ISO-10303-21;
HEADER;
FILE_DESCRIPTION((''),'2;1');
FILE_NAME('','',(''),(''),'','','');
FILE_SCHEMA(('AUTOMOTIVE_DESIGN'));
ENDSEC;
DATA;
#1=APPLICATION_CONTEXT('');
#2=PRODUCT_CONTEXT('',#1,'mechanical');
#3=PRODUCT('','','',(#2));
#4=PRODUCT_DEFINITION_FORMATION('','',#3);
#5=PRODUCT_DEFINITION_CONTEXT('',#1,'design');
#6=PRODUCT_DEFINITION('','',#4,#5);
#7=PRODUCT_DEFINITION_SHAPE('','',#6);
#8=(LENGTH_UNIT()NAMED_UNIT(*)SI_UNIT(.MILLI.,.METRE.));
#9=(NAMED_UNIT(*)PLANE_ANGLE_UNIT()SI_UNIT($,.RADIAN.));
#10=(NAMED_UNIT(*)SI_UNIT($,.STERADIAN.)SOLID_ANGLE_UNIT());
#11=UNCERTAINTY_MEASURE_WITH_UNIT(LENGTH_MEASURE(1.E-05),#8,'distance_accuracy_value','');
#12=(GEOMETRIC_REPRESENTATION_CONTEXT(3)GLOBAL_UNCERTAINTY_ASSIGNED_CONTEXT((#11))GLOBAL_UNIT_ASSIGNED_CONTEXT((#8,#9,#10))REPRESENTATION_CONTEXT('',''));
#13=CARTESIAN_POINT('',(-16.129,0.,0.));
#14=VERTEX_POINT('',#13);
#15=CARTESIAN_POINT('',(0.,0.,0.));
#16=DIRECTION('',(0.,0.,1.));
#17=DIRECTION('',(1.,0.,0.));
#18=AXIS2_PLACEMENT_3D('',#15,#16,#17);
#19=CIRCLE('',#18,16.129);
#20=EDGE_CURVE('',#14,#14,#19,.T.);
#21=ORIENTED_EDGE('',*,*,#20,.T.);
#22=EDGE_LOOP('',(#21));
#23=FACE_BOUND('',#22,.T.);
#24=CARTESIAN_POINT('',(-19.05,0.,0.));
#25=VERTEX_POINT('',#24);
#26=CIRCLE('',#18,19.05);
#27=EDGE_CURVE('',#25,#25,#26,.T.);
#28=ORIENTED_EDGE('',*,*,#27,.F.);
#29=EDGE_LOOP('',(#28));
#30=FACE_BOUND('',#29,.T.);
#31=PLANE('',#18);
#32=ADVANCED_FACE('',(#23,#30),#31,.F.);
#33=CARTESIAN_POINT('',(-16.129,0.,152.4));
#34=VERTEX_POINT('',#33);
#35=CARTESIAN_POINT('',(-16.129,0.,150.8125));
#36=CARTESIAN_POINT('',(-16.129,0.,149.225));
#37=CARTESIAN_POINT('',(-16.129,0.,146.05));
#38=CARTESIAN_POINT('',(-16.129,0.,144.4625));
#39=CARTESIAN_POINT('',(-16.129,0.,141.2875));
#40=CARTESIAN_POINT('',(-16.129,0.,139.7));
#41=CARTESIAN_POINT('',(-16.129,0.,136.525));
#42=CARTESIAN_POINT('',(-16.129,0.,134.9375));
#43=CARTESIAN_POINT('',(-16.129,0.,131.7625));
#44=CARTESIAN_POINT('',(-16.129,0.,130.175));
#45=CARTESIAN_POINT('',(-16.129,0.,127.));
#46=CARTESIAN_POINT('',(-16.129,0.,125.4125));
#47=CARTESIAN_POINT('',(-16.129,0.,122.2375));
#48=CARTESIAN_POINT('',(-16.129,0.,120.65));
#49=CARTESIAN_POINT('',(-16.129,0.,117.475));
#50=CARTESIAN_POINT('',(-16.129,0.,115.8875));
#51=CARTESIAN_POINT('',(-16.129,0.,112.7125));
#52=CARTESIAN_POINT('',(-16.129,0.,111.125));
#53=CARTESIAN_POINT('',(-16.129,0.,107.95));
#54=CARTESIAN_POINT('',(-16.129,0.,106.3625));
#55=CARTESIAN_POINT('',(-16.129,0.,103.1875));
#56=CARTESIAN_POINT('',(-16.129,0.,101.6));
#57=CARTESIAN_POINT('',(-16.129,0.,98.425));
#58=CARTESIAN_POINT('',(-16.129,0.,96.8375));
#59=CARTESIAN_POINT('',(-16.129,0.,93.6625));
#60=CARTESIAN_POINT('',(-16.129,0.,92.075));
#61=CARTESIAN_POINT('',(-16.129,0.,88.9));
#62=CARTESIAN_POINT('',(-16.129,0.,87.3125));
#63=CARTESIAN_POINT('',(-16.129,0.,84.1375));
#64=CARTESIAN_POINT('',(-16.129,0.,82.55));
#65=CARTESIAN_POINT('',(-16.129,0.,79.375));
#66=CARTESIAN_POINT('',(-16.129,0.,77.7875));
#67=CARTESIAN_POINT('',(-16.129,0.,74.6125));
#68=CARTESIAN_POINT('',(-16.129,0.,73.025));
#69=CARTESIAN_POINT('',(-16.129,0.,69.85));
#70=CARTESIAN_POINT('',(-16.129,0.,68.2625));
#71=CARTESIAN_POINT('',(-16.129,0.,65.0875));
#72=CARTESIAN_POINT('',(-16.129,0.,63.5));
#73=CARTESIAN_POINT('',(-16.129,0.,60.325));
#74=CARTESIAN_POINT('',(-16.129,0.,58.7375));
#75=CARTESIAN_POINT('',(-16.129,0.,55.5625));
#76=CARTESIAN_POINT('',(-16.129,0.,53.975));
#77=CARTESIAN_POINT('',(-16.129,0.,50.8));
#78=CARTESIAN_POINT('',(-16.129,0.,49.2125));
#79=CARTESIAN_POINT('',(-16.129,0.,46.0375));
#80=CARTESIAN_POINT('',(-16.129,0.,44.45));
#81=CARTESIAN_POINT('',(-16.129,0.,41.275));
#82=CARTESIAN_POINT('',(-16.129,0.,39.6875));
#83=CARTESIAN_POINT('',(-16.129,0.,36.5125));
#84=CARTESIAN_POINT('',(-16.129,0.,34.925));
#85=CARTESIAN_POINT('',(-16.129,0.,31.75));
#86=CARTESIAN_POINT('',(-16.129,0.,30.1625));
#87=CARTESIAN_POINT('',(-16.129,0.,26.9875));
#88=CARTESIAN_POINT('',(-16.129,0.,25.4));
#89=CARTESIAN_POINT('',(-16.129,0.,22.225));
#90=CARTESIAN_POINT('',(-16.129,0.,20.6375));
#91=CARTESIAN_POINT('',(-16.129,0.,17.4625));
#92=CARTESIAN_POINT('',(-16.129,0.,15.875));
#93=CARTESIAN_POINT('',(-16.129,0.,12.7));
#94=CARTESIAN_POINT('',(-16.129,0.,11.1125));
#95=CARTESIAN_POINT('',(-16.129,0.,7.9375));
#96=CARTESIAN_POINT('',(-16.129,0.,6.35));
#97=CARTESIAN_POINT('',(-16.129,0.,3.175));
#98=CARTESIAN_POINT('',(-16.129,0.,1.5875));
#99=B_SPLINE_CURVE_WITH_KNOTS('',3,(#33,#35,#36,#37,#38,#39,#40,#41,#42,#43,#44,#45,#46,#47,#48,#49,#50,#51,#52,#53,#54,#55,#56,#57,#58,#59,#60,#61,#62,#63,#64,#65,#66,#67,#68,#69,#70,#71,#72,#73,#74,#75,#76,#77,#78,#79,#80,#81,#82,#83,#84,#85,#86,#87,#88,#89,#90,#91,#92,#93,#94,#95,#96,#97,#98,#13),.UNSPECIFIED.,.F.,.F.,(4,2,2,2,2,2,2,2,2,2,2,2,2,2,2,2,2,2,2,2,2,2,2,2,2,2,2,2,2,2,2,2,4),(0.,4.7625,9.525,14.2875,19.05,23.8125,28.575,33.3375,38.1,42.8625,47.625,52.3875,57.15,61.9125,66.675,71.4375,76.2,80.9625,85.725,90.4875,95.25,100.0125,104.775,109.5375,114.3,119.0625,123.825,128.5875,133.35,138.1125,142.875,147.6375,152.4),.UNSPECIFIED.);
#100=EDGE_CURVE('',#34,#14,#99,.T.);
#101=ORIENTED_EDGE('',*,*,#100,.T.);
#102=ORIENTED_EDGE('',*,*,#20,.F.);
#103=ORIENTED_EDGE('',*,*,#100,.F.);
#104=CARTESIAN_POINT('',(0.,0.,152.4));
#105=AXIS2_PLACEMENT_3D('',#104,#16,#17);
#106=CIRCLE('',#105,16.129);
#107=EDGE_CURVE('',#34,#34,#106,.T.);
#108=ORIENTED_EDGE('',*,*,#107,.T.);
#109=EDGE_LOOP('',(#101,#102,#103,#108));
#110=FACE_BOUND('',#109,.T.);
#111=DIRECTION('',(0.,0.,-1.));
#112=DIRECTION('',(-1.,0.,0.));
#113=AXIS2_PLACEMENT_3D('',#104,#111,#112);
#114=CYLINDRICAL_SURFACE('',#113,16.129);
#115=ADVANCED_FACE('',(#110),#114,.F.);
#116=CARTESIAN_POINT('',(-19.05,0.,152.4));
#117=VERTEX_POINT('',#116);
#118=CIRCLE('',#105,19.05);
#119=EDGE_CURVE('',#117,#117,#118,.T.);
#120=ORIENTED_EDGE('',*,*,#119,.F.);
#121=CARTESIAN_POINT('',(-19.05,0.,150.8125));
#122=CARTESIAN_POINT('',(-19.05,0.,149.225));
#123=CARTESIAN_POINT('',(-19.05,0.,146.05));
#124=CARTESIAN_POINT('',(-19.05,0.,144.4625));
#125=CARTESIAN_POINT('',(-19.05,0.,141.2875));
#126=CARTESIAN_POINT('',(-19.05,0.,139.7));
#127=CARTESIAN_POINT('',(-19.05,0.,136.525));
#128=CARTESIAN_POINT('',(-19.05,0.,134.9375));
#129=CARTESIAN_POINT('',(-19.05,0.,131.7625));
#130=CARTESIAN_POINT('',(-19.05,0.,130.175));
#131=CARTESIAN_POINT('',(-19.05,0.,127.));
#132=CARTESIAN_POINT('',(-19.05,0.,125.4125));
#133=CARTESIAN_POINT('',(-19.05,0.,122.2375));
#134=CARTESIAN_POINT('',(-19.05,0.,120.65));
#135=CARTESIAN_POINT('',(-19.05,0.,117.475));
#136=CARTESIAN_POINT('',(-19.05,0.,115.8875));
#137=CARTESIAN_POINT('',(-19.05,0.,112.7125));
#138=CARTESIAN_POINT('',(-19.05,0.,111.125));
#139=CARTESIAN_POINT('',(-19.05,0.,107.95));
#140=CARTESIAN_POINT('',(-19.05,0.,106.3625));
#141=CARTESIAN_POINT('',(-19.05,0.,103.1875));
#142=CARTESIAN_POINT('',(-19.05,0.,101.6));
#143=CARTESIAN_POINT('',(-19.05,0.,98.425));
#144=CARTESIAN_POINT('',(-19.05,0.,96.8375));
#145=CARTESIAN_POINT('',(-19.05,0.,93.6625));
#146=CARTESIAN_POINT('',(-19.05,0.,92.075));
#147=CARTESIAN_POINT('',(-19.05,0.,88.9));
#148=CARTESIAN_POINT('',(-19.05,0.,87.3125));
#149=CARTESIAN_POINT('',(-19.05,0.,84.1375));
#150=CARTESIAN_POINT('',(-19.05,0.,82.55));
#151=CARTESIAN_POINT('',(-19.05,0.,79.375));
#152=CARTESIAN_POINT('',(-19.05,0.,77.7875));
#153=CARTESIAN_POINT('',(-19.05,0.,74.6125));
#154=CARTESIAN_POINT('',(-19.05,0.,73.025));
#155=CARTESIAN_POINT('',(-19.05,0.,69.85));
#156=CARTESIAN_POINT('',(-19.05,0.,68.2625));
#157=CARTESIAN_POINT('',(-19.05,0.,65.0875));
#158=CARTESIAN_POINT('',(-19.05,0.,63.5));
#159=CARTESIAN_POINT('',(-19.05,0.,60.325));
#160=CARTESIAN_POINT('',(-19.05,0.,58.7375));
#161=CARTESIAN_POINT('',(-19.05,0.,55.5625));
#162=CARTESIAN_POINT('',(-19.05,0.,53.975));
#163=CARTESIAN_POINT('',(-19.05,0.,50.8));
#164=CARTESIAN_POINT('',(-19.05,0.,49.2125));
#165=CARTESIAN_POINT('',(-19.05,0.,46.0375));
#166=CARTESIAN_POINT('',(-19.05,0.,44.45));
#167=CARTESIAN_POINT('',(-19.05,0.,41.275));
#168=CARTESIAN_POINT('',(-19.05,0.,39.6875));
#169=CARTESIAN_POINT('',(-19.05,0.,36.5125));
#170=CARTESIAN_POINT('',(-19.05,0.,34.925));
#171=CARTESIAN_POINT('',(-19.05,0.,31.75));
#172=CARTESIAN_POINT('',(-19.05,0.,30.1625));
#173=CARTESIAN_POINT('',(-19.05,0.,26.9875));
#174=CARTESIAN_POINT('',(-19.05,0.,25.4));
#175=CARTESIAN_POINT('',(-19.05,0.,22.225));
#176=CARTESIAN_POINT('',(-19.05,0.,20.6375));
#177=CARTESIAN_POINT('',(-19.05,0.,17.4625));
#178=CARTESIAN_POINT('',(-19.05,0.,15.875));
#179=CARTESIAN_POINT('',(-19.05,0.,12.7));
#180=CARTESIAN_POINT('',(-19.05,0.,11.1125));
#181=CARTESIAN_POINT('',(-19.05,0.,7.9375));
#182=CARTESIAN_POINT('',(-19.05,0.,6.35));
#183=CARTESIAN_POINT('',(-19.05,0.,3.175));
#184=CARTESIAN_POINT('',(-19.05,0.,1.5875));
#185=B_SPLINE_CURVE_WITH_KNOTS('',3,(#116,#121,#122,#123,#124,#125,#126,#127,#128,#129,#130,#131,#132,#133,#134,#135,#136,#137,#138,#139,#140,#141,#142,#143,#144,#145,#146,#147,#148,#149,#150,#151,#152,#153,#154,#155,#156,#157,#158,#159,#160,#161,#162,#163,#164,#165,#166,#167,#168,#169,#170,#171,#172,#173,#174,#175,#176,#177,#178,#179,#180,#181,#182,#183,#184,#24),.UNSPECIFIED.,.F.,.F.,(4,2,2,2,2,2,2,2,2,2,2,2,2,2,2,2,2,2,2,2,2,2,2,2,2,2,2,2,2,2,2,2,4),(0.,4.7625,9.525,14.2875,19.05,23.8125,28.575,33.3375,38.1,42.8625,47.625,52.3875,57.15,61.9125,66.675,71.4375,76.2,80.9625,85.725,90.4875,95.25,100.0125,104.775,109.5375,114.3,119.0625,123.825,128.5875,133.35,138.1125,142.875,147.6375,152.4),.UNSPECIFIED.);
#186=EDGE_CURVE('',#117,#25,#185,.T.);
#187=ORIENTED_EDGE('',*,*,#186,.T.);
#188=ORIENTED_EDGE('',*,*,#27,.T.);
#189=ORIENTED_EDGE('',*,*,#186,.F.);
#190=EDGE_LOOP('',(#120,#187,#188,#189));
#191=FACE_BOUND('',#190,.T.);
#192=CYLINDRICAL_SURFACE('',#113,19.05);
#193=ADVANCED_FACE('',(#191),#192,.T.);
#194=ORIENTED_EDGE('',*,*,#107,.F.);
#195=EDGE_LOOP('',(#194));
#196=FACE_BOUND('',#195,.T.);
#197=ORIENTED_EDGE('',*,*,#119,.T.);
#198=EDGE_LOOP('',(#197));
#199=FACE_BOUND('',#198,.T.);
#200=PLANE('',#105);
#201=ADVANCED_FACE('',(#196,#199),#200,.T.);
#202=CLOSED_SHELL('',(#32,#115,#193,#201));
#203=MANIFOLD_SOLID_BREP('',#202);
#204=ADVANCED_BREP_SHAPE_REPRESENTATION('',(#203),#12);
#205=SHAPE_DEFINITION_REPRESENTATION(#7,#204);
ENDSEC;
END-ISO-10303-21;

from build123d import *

# Parameters (mm, degrees)
SKETCH1_R           = 19.05
SKETCH1_R_2         = 16.129
BOSS_EXTRUDE1_DEPTH = 152.4


with BuildPart() as part:
    # Sketch1 → Boss-Extrude1 (new body)
    with BuildSketch(Plane.XY):
        with Locations(Location((0, 0, 0), (0, 0, 180))):
            Circle(SKETCH1_R)
        with Locations(Location((0, 0, 0), (0, 0, 180))):
            Circle(SKETCH1_R_2, mode=Mode.SUBTRACT)
    extrude(amount=BOSS_EXTRUDE1_DEPTH)


solid = part.part
